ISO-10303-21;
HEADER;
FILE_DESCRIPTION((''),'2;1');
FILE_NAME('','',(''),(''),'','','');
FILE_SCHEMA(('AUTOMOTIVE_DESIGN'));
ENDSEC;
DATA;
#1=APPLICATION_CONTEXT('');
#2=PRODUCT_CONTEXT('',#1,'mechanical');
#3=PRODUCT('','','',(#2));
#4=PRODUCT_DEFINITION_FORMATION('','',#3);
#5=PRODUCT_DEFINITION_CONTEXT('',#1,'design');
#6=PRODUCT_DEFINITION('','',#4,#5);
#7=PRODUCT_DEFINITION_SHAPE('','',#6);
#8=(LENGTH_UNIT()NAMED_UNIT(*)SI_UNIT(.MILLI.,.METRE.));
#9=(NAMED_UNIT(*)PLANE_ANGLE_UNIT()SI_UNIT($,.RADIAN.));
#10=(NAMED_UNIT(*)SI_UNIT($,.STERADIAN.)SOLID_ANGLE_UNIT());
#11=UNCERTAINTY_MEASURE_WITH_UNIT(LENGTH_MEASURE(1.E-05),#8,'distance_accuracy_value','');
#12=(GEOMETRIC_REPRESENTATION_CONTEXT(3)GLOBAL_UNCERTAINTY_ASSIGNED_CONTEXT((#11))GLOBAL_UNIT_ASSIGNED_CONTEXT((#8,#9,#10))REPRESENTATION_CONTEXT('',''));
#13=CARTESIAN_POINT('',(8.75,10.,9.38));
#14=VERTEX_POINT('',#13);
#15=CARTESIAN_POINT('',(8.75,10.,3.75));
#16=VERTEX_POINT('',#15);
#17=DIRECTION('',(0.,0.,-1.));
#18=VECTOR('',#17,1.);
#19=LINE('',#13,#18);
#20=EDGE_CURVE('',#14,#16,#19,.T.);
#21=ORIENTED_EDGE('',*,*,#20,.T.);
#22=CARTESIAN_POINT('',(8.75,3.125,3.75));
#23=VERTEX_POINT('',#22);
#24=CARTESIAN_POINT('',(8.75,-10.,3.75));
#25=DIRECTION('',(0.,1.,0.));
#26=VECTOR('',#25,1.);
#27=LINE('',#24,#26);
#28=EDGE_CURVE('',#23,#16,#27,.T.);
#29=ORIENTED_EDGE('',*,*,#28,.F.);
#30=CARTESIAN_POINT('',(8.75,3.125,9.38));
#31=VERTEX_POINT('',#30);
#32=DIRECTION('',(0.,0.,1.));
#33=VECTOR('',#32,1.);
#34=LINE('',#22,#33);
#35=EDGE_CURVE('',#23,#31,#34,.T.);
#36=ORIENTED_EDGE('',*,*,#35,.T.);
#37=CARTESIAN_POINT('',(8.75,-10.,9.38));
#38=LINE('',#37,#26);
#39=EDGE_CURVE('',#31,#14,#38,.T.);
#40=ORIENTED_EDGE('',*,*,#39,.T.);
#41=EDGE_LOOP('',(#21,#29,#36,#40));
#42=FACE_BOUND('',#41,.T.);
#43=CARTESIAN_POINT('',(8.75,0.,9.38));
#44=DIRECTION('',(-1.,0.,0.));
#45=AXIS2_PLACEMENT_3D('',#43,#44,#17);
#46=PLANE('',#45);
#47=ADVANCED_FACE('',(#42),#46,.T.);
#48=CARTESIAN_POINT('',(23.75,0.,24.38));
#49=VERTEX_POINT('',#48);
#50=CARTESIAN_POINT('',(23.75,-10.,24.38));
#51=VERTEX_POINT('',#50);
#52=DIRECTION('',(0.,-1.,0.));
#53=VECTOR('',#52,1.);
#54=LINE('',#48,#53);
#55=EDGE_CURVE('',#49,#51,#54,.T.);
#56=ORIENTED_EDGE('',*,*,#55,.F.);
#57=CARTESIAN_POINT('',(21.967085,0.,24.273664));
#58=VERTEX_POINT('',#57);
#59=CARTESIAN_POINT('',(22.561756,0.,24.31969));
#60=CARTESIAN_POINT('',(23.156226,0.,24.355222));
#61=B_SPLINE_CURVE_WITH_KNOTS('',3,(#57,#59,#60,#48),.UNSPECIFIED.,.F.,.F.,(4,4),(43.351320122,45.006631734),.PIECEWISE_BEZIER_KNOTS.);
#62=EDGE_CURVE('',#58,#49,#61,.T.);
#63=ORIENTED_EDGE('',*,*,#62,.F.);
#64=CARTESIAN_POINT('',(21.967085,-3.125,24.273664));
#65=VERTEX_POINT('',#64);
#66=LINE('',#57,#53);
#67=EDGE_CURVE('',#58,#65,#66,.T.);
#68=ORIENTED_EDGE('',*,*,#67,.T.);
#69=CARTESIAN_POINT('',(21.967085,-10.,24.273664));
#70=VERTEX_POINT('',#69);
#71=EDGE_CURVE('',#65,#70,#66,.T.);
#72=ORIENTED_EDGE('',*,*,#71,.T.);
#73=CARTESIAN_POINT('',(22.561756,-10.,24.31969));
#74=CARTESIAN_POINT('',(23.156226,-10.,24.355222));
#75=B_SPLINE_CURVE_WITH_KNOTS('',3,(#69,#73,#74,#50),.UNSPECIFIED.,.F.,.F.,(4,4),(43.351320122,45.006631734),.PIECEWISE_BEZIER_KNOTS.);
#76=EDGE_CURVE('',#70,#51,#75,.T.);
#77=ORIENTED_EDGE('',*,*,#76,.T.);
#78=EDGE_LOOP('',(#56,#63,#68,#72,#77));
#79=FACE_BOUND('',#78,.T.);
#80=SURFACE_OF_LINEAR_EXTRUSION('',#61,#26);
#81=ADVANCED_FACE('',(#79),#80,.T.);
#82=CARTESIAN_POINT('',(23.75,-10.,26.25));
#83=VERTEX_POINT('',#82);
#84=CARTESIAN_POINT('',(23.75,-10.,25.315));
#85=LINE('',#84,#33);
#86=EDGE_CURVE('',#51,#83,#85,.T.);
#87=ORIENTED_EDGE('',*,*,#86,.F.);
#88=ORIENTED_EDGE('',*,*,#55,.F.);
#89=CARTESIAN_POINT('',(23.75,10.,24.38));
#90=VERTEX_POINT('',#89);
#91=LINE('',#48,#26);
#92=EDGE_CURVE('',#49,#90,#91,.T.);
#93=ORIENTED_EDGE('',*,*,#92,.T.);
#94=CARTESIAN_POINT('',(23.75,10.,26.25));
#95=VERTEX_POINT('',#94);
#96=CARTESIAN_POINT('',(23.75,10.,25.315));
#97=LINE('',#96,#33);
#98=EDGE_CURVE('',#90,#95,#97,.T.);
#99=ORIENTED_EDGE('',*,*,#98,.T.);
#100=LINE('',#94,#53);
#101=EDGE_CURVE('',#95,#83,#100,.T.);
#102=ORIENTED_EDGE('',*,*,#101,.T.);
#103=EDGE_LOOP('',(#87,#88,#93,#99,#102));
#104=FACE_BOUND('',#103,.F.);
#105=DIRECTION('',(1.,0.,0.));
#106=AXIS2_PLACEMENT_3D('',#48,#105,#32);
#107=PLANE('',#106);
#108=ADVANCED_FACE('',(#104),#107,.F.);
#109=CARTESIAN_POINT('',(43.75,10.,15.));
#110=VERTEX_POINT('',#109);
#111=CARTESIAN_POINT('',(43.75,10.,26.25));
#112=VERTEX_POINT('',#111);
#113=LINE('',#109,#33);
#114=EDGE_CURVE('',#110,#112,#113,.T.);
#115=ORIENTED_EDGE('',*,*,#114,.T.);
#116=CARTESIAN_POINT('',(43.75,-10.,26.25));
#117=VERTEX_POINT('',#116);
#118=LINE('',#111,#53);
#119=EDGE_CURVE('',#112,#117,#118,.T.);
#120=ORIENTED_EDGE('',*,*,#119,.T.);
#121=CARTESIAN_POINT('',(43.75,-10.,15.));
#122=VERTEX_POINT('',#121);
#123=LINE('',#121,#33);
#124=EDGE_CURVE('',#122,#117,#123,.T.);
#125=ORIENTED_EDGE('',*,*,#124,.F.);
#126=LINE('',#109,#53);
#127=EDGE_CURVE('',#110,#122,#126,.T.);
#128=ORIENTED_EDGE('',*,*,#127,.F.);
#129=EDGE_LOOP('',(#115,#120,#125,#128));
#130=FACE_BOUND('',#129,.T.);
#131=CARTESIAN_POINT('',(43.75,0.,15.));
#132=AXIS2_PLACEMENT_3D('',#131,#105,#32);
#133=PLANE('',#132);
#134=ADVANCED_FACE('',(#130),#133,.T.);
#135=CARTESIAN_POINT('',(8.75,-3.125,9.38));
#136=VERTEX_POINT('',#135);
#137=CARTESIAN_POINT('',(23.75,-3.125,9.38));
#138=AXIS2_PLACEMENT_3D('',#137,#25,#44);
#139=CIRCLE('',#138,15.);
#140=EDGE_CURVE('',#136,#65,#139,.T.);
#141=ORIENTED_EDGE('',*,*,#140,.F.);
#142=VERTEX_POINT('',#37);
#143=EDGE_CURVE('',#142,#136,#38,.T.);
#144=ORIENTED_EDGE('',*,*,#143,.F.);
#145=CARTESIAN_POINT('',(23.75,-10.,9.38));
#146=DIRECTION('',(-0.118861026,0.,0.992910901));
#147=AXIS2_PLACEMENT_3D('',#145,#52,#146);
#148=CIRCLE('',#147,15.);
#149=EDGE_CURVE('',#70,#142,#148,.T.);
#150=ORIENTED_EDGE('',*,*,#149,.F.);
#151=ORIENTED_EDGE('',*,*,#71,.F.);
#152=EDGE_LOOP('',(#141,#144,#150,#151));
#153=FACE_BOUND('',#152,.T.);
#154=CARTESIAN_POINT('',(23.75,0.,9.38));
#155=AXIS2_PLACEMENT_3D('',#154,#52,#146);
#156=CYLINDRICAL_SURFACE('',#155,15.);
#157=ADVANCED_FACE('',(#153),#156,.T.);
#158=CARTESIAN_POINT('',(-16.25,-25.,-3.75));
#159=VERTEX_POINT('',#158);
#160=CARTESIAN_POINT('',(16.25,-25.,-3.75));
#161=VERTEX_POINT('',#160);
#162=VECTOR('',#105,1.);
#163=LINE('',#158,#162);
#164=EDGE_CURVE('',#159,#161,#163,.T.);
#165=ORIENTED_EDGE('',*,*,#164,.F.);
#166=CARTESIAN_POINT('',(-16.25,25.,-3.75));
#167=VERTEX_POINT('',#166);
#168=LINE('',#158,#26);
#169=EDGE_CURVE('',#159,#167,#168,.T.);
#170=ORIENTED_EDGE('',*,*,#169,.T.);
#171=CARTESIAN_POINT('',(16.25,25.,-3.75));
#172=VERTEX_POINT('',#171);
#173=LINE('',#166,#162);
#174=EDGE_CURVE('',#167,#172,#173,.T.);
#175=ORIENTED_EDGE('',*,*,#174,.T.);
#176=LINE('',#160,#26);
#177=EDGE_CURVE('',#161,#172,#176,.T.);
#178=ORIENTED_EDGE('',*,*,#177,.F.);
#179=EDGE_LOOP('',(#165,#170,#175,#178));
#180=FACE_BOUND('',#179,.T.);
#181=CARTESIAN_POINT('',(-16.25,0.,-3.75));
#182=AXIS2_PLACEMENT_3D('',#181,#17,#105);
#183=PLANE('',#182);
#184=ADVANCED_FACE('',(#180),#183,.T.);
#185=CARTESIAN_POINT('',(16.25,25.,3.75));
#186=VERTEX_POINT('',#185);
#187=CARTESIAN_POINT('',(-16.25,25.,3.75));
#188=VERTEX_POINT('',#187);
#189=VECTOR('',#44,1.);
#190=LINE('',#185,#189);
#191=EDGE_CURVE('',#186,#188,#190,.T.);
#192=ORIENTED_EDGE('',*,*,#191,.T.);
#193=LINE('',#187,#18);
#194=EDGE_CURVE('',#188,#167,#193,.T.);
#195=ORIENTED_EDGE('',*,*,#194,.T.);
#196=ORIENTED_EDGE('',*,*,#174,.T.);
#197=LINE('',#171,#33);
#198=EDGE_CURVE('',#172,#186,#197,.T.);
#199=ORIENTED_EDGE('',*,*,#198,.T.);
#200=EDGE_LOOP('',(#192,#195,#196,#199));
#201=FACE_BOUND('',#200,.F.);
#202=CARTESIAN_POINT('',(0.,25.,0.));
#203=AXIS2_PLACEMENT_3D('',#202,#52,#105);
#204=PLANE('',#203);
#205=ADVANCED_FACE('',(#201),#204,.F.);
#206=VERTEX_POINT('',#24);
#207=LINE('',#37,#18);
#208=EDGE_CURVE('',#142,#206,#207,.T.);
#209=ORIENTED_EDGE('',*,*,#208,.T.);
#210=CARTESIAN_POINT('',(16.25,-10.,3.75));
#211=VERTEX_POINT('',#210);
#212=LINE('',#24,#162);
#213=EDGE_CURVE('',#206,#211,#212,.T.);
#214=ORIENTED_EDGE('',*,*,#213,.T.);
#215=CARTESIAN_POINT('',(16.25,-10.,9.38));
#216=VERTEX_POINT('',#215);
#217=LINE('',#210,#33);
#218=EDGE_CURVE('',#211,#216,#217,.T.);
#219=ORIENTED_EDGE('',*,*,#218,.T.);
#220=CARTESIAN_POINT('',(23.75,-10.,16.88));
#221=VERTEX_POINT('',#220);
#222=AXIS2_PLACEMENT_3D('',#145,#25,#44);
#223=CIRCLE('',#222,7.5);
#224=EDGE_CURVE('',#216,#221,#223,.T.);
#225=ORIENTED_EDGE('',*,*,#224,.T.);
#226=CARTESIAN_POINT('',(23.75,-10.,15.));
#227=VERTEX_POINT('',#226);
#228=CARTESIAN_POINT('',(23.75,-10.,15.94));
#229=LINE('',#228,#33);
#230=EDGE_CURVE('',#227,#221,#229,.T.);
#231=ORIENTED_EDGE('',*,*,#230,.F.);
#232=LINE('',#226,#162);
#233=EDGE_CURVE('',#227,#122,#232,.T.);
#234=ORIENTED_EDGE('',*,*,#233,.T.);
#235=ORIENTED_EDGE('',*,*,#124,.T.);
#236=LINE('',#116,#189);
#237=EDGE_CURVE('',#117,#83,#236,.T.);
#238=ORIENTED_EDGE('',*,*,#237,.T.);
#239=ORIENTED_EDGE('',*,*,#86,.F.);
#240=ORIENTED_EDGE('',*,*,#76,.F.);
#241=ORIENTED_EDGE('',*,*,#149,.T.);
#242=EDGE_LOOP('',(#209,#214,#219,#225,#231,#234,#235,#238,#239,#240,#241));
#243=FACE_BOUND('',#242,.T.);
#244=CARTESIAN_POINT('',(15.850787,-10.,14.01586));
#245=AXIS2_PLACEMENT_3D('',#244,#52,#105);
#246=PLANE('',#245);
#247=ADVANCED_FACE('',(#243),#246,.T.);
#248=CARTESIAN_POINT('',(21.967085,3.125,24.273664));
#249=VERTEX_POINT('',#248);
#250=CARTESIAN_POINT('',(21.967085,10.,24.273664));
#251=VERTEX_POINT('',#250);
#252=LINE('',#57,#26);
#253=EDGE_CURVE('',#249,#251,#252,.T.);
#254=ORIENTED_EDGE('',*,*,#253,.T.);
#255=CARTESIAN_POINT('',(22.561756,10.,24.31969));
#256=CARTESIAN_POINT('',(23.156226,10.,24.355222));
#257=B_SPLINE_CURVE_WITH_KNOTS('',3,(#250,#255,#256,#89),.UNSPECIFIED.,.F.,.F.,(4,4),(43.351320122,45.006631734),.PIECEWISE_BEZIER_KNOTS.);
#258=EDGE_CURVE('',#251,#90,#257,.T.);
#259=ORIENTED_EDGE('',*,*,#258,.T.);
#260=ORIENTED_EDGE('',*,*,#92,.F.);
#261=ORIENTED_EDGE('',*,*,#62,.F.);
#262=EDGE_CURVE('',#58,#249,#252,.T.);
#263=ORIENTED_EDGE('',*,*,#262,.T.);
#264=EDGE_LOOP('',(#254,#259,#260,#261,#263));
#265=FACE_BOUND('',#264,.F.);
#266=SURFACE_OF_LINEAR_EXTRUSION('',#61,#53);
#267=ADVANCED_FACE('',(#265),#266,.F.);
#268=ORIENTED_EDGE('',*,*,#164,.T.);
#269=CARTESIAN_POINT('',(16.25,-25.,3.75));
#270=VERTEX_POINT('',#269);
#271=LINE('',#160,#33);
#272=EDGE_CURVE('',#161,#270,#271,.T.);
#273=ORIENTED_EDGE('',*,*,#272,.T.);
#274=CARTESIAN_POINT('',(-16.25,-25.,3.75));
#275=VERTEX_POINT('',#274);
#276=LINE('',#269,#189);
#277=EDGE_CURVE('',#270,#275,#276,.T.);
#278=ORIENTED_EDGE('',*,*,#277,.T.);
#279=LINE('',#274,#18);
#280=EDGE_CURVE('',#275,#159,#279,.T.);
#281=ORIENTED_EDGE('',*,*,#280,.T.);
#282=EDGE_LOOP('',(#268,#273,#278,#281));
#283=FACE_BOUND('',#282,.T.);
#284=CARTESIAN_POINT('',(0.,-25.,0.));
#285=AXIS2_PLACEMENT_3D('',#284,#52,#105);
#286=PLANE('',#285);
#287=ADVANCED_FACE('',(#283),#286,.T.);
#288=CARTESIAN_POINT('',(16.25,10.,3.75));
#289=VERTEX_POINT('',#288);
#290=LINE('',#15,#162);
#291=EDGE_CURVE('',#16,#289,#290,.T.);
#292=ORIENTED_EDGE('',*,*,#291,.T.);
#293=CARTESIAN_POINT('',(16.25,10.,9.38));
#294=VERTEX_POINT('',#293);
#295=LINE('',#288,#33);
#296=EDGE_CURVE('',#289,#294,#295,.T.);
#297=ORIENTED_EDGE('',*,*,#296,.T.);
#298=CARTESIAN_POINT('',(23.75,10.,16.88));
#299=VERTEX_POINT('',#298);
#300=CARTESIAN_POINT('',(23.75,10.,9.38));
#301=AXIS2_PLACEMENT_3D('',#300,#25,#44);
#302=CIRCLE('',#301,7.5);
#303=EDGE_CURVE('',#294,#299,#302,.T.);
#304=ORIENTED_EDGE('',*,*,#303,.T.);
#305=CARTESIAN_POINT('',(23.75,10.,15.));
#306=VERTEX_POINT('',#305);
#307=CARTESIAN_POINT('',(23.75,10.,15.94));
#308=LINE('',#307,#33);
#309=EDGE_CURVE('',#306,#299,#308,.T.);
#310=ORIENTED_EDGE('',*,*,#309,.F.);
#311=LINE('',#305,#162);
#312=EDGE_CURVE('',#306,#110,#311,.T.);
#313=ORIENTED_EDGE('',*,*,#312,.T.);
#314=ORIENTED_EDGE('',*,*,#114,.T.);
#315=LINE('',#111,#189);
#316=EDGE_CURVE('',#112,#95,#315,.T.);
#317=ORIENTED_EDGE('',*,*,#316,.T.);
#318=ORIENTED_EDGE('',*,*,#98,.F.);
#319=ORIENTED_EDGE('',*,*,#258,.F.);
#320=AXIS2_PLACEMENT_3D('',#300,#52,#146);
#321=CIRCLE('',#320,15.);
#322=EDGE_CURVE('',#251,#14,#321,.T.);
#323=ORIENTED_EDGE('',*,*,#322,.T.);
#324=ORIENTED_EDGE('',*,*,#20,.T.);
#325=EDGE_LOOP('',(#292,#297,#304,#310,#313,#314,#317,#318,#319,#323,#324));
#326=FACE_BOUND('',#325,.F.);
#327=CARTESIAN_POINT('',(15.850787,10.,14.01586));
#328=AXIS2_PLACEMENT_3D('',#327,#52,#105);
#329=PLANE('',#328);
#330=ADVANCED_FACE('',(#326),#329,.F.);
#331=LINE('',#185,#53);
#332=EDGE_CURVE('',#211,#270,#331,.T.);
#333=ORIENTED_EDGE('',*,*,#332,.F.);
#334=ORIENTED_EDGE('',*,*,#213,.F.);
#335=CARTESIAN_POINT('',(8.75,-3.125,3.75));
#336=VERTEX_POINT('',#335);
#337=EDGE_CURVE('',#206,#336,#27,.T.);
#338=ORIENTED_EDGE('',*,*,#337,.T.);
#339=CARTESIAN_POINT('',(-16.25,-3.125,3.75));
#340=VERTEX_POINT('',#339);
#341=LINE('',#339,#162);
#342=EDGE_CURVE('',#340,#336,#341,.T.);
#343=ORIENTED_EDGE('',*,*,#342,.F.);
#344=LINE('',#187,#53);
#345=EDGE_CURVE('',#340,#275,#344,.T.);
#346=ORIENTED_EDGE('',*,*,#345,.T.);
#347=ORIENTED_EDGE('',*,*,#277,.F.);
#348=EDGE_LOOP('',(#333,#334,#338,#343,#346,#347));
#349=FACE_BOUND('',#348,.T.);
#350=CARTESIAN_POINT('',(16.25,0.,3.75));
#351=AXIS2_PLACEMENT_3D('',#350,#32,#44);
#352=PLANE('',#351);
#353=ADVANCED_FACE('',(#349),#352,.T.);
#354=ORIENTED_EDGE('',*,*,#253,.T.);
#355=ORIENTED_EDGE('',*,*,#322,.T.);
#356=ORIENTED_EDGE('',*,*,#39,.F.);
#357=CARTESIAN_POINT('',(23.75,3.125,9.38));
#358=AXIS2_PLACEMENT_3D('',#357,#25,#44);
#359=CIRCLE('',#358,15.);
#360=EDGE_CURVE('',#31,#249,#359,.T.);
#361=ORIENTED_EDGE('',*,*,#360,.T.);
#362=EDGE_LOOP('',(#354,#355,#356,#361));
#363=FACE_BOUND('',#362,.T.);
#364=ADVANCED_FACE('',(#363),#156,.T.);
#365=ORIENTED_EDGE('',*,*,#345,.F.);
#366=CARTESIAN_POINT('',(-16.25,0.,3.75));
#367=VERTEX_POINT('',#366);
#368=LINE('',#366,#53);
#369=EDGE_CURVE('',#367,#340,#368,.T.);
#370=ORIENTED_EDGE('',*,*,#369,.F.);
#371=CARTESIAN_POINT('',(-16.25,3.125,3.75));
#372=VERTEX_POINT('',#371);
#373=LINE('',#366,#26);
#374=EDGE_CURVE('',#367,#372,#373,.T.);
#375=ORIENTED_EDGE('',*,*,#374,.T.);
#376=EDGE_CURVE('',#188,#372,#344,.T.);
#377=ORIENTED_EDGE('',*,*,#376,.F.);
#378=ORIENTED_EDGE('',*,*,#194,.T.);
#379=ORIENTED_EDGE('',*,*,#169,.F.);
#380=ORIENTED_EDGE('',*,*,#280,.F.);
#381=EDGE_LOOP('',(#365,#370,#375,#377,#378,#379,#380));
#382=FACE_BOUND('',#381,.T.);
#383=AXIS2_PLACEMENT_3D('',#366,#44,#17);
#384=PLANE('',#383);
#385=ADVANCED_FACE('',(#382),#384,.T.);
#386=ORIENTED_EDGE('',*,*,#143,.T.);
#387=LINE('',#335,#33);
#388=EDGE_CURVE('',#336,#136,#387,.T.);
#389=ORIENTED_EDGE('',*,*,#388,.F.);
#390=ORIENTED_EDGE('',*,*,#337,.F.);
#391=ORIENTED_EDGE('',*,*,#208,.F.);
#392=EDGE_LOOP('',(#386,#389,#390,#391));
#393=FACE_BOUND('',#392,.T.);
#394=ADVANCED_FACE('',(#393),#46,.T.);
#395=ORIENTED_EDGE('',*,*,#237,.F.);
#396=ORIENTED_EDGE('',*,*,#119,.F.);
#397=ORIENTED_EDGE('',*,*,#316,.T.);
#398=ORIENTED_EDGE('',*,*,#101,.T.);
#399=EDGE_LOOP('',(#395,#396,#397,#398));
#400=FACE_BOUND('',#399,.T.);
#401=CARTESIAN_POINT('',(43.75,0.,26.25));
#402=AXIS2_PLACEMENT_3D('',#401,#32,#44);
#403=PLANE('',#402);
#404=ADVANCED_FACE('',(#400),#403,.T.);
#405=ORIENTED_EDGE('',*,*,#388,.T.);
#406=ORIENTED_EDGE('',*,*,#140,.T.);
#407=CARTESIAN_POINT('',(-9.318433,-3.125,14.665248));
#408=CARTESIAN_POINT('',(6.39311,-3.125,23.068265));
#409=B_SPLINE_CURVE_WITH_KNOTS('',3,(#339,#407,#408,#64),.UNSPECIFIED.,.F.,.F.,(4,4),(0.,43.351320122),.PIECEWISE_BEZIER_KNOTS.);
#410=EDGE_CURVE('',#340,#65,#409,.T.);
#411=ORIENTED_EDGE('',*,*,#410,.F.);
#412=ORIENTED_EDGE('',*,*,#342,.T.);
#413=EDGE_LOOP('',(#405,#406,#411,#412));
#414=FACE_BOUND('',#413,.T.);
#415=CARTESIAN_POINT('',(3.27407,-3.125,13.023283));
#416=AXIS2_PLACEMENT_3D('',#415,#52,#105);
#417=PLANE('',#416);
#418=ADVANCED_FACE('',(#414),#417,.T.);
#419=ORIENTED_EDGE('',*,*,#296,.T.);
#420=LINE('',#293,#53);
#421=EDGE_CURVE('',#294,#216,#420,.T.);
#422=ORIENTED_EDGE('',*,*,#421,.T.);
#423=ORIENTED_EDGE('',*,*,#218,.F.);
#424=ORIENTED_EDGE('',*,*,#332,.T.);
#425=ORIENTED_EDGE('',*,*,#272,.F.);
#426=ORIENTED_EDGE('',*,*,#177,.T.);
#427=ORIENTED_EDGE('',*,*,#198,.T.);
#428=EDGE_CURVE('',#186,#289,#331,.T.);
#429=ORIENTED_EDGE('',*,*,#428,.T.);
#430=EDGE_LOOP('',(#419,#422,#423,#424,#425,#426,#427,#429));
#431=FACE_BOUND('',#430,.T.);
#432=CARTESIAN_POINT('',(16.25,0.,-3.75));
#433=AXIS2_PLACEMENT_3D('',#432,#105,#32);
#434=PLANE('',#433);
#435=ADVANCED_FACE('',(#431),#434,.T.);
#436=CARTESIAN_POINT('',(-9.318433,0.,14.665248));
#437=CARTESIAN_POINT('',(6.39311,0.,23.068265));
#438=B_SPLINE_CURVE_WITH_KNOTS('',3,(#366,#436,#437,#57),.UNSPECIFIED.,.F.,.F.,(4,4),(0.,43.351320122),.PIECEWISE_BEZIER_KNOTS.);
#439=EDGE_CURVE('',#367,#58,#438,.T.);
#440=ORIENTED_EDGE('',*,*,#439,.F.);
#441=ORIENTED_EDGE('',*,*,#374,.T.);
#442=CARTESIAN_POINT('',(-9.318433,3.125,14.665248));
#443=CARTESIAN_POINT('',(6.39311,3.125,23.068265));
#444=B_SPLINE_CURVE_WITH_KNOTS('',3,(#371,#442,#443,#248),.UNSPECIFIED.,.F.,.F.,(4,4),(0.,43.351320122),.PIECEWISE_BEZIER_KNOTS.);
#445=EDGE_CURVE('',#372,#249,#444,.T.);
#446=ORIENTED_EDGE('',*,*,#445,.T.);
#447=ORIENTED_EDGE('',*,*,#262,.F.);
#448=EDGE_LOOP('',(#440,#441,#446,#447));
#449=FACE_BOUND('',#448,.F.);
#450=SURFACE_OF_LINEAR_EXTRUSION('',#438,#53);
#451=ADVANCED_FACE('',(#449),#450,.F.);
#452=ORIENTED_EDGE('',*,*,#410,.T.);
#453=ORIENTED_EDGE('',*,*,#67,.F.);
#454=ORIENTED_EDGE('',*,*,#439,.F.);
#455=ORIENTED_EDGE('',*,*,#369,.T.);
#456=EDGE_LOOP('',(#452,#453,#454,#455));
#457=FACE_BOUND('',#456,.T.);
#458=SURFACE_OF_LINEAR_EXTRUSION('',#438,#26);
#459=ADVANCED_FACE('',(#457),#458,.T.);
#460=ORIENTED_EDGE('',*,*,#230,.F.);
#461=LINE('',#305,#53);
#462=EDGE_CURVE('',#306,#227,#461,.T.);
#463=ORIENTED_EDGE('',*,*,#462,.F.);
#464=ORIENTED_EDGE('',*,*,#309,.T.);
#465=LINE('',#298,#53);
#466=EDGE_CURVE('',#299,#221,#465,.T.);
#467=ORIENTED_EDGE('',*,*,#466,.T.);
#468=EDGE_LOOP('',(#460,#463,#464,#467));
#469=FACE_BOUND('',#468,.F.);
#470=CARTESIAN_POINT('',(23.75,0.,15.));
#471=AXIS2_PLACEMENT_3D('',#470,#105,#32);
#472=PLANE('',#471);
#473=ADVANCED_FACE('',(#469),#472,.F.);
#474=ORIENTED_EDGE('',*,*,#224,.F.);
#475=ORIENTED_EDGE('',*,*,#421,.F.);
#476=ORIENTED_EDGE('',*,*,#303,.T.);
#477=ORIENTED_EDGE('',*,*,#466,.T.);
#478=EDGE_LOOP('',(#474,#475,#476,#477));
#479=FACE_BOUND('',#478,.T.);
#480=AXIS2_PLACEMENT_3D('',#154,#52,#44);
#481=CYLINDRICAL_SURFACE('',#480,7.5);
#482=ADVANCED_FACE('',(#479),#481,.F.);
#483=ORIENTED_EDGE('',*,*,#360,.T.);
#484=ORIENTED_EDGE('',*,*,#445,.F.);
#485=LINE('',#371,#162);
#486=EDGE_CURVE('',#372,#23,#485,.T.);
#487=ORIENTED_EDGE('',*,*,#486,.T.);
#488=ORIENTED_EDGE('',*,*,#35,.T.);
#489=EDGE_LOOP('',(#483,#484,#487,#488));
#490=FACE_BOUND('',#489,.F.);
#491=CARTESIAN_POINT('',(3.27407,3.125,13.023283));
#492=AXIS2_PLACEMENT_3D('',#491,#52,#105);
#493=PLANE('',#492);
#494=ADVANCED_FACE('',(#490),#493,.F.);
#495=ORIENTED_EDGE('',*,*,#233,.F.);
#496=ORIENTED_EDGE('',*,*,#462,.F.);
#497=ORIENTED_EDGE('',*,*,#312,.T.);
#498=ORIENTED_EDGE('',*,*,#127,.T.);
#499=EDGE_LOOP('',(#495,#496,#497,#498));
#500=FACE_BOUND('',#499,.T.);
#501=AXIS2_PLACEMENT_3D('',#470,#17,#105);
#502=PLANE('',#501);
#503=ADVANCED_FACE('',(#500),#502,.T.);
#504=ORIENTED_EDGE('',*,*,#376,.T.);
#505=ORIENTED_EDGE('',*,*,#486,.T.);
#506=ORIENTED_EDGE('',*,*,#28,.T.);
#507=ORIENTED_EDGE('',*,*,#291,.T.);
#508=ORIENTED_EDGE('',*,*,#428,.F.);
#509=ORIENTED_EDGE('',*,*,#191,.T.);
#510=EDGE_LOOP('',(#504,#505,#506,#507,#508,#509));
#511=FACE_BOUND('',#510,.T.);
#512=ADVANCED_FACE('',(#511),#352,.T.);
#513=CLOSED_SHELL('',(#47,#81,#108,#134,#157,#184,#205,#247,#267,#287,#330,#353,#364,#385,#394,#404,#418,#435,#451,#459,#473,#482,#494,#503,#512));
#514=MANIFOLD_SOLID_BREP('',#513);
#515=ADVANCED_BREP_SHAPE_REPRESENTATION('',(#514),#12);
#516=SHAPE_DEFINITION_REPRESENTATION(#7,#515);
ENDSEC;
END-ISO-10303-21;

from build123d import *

# Parameters (mm, degrees)
F1_DEPTH = 25
F0_W     = 10
F0_H     = 7.5
F0_H_2   = 1.88
F0_H_3   = 1.87
F2_DEPTH = 10
F3_DEPTH = 3.125


with BuildPart() as f1:
    # F0 (on Front) → F1 (new body, symmetric)
    with BuildSketch(Plane.XZ):
        Polygon((16.25, -3.75), (16.25, 3.75), (8.75, 3.75), (-16.25, 3.75), (-16.25, -3.75), align=None)
    extrude(amount=F1_DEPTH, both=True)

    # F0 (on Front) → F2 (join, symmetric)
    with BuildSketch(Plane.XZ):
        with BuildLine():
            Line((8.75, 3.75), (16.25, 3.75))
            Line((16.25, 3.75), (16.25, 9.38))
            ThreePointArc((16.25, 9.38), (18.4466991411, 14.6833008589), (23.75, 16.88))
            Line((23.75, 16.88), (23.75, 24.38))
            add(Edge.make_bspline(
                [(21.9670846153, 24.2736635094), (22.5617558007, 24.3196900172), (23.156226413, 24.3552224615), (23.75, 24.38)],
                knots=[43.3513201218, 43.3513201218, 43.3513201218, 43.3513201218, 45.0066317336, 45.0066317336, 45.0066317336, 45.0066317336], degree=3))
            ThreePointArc((21.9670846153, 24.2736635094), (12.5307368609, 19.3363112956), (8.75, 9.38))
            Line((8.75, 9.38), (8.75, 3.75))
        make_face()
        with Locations((28.75, 20.63)):
            Rectangle(F0_W, F0_H)
        with Locations((28.75, 15.94)):
            Rectangle(F0_W, F0_H_2)
        with Locations((28.75, 25.315)):
            Rectangle(F0_W, F0_H_3)
        Polygon((33.75, 24.38), (33.75, 16.88), (33.75, 15), (43.75, 15), (43.75, 26.25), (33.75, 26.25), align=None)
    extrude(amount=F2_DEPTH, both=True)

    # F0 (on Front) → F3 (join, symmetric)
    with BuildSketch(Plane.XZ):
        with BuildLine():
            Line((-16.25, 3.75), (8.75, 3.75))
            Line((8.75, 3.75), (8.75, 9.38))
            ThreePointArc((8.75, 9.38), (12.5307368609, 19.3363112956), (21.9670846153, 24.2736635094))
            add(Edge.make_bspline(
                [(-16.25, 3.75), (-9.3184325712, 14.665248361), (6.3931100598, 23.0682651661), (21.9670846153, 24.2736635094)],
                knots=[0, 0, 0, 0, 43.3513201218, 43.3513201218, 43.3513201218, 43.3513201218], degree=3))
        make_face()
    extrude(amount=F3_DEPTH, both=True)


solid = f1.part
